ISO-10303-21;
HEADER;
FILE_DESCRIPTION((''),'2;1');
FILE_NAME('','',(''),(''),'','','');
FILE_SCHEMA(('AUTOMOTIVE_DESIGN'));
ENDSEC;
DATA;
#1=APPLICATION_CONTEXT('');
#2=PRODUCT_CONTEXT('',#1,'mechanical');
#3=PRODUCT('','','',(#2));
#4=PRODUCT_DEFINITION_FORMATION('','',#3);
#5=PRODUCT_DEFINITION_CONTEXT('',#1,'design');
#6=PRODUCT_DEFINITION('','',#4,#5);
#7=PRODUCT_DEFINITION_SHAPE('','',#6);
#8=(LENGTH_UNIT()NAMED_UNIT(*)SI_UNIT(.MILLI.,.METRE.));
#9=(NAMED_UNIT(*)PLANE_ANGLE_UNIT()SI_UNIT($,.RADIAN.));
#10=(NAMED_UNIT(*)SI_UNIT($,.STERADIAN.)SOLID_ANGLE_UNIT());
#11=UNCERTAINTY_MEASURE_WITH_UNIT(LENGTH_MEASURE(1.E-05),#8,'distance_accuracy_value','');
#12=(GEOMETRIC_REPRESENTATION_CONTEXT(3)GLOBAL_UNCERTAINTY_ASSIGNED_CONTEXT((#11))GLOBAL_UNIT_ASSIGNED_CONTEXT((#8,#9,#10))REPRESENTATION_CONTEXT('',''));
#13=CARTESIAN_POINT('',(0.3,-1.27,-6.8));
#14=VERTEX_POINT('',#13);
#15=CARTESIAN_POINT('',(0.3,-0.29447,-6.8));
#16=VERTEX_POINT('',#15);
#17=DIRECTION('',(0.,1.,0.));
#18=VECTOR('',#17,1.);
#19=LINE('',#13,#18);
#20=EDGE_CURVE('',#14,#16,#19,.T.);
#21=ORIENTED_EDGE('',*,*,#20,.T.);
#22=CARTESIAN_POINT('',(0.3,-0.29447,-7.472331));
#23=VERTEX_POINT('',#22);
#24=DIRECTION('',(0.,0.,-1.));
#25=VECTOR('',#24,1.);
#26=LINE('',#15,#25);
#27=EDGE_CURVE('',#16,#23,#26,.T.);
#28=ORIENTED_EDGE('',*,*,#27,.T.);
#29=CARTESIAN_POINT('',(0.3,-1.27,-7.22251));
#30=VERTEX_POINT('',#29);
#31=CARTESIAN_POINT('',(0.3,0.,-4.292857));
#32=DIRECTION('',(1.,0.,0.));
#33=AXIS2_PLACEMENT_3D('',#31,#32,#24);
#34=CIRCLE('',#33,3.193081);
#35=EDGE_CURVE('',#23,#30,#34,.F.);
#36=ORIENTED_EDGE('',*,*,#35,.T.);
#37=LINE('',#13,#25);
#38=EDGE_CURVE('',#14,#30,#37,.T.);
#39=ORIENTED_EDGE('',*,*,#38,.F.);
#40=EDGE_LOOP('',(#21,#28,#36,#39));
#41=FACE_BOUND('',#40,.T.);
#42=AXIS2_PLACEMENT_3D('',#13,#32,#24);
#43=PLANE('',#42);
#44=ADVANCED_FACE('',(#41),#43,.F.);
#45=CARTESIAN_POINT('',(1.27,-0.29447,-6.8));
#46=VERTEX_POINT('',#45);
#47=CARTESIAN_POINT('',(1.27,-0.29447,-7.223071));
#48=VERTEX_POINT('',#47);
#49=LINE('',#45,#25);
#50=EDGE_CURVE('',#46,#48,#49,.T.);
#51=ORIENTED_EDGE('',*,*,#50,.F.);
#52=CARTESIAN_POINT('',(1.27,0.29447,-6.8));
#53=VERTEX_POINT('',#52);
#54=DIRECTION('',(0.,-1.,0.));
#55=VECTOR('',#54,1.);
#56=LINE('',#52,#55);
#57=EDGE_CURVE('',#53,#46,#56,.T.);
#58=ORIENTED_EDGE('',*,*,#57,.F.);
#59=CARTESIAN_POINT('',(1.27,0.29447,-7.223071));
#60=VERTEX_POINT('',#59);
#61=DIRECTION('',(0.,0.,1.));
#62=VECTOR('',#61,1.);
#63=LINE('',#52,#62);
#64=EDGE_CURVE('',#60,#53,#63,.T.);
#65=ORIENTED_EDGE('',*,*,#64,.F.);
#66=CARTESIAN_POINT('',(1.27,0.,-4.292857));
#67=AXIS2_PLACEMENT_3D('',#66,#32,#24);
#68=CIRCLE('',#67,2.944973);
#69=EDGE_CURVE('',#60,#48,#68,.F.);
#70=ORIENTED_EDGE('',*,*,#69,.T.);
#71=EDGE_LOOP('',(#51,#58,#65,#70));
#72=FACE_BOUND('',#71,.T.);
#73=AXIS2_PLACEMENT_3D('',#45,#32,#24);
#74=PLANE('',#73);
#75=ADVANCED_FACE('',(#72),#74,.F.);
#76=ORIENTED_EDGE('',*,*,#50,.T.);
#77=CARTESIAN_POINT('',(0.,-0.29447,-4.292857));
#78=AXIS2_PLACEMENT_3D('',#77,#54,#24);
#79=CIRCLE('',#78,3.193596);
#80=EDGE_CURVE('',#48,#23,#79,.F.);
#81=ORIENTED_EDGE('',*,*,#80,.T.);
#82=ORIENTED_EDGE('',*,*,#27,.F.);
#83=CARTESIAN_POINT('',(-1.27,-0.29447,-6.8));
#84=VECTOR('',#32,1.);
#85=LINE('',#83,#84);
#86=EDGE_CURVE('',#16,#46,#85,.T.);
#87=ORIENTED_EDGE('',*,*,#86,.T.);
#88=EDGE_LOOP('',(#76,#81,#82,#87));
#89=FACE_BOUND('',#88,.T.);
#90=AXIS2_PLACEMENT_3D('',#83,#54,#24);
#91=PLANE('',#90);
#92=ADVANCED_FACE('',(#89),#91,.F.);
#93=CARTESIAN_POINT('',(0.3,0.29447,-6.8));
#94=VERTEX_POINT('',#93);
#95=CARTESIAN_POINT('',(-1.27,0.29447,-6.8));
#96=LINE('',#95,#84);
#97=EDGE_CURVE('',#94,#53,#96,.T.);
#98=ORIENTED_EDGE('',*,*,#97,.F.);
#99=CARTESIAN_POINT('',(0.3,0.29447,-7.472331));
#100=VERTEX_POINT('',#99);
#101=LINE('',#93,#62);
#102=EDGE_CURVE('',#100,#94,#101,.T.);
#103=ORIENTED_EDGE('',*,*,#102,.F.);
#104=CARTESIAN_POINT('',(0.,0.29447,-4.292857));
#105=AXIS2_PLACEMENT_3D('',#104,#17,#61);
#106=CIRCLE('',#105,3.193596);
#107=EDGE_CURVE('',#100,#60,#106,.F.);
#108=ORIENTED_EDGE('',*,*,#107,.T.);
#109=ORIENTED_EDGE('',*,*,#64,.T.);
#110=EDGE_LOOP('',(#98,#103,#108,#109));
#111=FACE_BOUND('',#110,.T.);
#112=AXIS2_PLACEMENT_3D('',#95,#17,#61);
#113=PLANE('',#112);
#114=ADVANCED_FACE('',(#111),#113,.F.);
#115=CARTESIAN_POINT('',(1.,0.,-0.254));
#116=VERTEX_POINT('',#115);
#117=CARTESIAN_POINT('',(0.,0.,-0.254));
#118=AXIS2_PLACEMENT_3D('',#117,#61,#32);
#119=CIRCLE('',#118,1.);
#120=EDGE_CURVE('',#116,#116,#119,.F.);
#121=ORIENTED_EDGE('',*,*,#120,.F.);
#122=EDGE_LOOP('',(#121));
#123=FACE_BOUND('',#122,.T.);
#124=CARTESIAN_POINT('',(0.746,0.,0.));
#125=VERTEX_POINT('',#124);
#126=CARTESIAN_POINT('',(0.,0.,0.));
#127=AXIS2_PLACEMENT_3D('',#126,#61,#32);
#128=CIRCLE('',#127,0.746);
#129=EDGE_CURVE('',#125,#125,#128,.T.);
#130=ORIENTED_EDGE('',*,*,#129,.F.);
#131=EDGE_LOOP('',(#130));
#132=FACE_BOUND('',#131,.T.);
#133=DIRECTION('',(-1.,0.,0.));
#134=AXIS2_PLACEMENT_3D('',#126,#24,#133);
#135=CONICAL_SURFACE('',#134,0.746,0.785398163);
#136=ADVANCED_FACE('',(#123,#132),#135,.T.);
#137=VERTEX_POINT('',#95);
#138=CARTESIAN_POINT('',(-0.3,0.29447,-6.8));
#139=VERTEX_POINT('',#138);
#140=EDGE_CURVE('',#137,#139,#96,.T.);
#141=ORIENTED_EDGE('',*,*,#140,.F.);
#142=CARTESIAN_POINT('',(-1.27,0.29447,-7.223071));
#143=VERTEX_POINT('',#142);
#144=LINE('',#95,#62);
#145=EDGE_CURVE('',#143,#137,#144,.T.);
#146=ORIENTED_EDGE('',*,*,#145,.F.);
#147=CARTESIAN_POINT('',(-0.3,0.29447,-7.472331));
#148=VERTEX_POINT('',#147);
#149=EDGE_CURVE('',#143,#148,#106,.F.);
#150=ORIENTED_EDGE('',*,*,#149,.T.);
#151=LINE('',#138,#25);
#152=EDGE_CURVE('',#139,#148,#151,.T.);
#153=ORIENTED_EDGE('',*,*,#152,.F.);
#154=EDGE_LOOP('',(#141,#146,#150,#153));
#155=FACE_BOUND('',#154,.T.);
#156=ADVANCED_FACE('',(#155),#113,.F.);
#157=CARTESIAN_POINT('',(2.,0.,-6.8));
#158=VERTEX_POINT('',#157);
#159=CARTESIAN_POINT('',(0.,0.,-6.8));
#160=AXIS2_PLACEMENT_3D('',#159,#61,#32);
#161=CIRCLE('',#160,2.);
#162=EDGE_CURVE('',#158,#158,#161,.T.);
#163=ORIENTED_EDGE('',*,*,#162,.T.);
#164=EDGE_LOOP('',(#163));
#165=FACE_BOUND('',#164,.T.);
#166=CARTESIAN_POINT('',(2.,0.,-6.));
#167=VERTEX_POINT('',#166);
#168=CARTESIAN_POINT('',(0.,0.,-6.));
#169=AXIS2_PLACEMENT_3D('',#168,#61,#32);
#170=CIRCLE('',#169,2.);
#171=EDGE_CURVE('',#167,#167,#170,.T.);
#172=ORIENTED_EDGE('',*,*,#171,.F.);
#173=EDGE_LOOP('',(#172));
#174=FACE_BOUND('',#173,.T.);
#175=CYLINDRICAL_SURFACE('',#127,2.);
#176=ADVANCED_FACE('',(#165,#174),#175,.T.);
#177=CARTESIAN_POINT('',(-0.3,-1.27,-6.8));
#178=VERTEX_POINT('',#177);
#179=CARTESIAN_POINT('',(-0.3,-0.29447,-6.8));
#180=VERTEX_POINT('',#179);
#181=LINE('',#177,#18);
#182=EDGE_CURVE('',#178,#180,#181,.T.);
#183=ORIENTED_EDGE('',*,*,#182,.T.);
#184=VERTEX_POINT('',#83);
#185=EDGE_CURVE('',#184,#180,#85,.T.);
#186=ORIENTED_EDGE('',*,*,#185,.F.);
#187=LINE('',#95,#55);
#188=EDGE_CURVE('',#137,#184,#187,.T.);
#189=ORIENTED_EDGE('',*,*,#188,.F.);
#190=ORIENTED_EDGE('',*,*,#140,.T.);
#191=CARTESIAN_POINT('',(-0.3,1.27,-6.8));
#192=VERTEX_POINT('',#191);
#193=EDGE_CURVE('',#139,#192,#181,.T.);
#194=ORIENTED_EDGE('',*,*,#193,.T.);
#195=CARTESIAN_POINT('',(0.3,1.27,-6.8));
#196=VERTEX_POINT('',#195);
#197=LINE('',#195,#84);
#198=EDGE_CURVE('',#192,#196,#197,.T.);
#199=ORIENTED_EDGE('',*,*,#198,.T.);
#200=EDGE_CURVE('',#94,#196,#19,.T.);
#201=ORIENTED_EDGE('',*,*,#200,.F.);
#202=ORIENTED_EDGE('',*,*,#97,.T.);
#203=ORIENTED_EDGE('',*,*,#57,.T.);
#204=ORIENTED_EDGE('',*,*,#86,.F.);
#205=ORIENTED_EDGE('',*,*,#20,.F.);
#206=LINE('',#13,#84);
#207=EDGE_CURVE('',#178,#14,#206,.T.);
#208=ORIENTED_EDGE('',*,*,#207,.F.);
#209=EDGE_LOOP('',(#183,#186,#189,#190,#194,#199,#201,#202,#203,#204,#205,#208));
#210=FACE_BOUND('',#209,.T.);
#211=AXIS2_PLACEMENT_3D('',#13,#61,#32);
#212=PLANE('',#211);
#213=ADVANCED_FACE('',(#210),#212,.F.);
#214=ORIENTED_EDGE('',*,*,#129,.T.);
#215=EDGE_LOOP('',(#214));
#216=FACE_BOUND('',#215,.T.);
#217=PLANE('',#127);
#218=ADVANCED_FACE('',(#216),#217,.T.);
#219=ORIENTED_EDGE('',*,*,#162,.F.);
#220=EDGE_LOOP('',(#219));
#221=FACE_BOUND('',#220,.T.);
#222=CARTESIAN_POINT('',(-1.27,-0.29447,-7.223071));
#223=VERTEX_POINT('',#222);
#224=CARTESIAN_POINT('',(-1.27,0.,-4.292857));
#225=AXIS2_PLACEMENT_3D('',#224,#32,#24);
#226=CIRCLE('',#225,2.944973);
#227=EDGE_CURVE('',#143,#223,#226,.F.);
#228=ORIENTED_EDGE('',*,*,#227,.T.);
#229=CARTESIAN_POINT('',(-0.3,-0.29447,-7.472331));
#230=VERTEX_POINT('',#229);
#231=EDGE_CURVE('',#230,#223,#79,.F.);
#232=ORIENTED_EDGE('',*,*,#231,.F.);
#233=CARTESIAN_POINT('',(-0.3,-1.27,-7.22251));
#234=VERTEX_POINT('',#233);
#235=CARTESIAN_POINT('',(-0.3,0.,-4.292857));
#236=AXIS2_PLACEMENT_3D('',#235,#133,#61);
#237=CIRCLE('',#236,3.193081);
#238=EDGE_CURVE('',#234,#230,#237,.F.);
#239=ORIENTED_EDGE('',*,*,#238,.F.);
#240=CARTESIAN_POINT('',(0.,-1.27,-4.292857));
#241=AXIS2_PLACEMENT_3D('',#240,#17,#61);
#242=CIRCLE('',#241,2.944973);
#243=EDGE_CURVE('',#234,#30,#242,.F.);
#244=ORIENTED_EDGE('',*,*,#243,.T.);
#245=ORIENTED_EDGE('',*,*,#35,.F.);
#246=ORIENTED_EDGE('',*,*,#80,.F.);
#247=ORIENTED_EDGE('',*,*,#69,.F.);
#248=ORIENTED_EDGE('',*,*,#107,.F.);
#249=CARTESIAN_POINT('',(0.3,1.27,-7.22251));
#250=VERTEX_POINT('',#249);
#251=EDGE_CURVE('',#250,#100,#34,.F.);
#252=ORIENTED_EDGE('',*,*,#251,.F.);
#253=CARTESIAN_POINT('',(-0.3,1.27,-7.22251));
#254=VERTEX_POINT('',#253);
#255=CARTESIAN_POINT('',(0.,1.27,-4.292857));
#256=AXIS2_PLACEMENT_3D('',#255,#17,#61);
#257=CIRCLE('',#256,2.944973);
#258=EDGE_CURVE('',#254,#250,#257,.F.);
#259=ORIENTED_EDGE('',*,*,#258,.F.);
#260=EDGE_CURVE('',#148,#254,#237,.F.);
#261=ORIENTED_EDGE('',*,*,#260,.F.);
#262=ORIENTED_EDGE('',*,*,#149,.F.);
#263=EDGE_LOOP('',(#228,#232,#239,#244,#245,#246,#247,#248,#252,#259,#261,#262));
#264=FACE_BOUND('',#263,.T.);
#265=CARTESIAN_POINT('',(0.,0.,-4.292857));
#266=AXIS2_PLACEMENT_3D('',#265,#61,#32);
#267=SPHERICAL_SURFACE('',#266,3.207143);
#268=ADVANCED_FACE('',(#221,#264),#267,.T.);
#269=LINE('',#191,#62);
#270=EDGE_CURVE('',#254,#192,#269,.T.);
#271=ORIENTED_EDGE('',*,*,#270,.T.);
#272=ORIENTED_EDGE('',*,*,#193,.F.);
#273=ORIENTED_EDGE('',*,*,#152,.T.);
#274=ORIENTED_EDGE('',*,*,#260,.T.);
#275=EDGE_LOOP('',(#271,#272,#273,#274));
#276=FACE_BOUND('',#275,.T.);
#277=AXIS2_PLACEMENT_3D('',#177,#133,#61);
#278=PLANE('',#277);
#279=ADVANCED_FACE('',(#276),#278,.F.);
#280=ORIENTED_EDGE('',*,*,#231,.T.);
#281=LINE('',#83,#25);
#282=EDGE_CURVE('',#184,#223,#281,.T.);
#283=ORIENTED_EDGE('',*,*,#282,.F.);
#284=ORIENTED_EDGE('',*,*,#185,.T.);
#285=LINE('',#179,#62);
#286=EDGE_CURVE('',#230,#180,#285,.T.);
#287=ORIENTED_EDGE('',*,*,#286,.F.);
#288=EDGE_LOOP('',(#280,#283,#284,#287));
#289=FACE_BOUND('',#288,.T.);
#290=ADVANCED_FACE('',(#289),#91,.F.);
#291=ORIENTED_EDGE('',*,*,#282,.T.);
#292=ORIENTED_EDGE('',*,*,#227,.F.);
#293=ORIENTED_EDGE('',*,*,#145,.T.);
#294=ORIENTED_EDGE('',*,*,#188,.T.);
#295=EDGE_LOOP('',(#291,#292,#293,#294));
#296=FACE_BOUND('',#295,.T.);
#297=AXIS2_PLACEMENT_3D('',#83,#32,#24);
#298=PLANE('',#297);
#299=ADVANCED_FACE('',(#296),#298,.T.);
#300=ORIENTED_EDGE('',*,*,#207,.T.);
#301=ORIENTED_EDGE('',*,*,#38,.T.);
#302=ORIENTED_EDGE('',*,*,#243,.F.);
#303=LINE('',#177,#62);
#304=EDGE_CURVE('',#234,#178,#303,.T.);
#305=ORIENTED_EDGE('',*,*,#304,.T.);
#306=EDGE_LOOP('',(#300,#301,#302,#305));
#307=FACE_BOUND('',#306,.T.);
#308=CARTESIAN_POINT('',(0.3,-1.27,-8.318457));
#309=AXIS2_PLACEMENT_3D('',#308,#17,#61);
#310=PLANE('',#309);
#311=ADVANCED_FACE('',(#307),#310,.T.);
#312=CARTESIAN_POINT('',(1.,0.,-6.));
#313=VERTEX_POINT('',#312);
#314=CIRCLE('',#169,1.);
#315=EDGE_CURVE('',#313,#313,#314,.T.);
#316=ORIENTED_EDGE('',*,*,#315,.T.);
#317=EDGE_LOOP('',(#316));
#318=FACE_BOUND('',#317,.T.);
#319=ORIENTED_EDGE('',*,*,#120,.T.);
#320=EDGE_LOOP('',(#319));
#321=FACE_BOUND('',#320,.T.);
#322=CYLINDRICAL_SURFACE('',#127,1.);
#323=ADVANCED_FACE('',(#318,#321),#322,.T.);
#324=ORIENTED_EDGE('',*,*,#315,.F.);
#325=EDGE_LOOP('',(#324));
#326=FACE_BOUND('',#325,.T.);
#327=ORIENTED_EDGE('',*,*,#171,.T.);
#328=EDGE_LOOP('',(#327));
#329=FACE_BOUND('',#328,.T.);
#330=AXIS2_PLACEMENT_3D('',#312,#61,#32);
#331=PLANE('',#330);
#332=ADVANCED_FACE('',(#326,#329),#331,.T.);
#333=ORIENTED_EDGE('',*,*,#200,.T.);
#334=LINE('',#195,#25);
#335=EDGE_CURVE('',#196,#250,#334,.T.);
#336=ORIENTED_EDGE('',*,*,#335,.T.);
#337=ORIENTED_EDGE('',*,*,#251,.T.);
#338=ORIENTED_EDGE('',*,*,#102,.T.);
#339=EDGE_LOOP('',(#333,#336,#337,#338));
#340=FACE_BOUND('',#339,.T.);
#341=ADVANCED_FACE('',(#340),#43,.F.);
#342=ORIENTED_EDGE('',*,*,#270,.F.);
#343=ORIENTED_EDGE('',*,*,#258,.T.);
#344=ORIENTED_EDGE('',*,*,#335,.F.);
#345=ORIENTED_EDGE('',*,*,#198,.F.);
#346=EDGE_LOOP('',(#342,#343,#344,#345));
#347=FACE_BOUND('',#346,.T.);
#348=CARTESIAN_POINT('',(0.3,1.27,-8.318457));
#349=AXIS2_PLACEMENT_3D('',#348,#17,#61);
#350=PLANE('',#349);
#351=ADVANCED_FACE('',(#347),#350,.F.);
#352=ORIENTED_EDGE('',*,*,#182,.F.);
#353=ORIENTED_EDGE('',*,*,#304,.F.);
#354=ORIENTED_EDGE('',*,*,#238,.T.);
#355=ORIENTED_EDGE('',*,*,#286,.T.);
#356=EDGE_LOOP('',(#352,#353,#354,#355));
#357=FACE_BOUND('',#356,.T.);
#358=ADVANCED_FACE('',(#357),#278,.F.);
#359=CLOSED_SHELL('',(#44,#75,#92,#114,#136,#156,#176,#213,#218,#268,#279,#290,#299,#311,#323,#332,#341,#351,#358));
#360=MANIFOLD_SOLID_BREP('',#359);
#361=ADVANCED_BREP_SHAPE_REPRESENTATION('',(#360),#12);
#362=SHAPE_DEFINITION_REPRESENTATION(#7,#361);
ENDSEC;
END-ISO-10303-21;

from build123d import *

# Parameters (mm, degrees)
SKETCH2_W      = 0.6
SKETCH2_H      = 1.518456807
EXTRUDE1_DEPTH = 1.27
SKETCH3_W      = 1.103174595
SKETCH3_H      = 0.588939024
EXTRUDE2_DEPTH = 1.27
CHAMFER1_SIZE  = 0.254


with BuildPart() as part:
    # Sketch1 → Revolve1 (revolve)
    with BuildSketch(Plane(origin=(0, 0, 0), x_dir=(1, 0, 0), z_dir=(0, 1, 0))):
        with BuildLine():
            Line((0, 0), (0, 7.5))
            ThreePointArc((0, 7.5), (1.059481005, 7.319945729), (2, 6.8))
            Line((2, 6.8), (2, 6))
            Line((2, 6), (1, 6))
            Line((1, 6), (1, 0))
            Line((1, 0), (0, 0))
        make_face()
    revolve(axis=Axis((0, 0, 0), (0, 0, -1)))

    # Sketch2 → Extrude1 (cut, symmetric)
    with BuildSketch(Plane(origin=(0, 0, 0), x_dir=(1, 0, 0), z_dir=(0, 1, 0))):
        with Locations((0, 7.559228404)):
            Rectangle(SKETCH2_W, SKETCH2_H)
    extrude(amount=EXTRUDE1_DEPTH, both=True, mode=Mode.SUBTRACT)

    # Sketch3 → Extrude2 (cut, symmetric)
    with BuildSketch(Plane(origin=(0, 0, 0), x_dir=(0, 0, -1), z_dir=(1, 0, 0))):
        with Locations((7.351587298, 0)):
            Rectangle(SKETCH3_W, SKETCH3_H)
    extrude(amount=EXTRUDE2_DEPTH, both=True, mode=Mode.SUBTRACT)

    # Chamfer1
    chamfer1_edges = [part.edges().sort_by_distance(p)[0] for p in [
        (-1, 0, 0),
    ]]
    chamfer(chamfer1_edges, length=CHAMFER1_SIZE)


solid = part.part
